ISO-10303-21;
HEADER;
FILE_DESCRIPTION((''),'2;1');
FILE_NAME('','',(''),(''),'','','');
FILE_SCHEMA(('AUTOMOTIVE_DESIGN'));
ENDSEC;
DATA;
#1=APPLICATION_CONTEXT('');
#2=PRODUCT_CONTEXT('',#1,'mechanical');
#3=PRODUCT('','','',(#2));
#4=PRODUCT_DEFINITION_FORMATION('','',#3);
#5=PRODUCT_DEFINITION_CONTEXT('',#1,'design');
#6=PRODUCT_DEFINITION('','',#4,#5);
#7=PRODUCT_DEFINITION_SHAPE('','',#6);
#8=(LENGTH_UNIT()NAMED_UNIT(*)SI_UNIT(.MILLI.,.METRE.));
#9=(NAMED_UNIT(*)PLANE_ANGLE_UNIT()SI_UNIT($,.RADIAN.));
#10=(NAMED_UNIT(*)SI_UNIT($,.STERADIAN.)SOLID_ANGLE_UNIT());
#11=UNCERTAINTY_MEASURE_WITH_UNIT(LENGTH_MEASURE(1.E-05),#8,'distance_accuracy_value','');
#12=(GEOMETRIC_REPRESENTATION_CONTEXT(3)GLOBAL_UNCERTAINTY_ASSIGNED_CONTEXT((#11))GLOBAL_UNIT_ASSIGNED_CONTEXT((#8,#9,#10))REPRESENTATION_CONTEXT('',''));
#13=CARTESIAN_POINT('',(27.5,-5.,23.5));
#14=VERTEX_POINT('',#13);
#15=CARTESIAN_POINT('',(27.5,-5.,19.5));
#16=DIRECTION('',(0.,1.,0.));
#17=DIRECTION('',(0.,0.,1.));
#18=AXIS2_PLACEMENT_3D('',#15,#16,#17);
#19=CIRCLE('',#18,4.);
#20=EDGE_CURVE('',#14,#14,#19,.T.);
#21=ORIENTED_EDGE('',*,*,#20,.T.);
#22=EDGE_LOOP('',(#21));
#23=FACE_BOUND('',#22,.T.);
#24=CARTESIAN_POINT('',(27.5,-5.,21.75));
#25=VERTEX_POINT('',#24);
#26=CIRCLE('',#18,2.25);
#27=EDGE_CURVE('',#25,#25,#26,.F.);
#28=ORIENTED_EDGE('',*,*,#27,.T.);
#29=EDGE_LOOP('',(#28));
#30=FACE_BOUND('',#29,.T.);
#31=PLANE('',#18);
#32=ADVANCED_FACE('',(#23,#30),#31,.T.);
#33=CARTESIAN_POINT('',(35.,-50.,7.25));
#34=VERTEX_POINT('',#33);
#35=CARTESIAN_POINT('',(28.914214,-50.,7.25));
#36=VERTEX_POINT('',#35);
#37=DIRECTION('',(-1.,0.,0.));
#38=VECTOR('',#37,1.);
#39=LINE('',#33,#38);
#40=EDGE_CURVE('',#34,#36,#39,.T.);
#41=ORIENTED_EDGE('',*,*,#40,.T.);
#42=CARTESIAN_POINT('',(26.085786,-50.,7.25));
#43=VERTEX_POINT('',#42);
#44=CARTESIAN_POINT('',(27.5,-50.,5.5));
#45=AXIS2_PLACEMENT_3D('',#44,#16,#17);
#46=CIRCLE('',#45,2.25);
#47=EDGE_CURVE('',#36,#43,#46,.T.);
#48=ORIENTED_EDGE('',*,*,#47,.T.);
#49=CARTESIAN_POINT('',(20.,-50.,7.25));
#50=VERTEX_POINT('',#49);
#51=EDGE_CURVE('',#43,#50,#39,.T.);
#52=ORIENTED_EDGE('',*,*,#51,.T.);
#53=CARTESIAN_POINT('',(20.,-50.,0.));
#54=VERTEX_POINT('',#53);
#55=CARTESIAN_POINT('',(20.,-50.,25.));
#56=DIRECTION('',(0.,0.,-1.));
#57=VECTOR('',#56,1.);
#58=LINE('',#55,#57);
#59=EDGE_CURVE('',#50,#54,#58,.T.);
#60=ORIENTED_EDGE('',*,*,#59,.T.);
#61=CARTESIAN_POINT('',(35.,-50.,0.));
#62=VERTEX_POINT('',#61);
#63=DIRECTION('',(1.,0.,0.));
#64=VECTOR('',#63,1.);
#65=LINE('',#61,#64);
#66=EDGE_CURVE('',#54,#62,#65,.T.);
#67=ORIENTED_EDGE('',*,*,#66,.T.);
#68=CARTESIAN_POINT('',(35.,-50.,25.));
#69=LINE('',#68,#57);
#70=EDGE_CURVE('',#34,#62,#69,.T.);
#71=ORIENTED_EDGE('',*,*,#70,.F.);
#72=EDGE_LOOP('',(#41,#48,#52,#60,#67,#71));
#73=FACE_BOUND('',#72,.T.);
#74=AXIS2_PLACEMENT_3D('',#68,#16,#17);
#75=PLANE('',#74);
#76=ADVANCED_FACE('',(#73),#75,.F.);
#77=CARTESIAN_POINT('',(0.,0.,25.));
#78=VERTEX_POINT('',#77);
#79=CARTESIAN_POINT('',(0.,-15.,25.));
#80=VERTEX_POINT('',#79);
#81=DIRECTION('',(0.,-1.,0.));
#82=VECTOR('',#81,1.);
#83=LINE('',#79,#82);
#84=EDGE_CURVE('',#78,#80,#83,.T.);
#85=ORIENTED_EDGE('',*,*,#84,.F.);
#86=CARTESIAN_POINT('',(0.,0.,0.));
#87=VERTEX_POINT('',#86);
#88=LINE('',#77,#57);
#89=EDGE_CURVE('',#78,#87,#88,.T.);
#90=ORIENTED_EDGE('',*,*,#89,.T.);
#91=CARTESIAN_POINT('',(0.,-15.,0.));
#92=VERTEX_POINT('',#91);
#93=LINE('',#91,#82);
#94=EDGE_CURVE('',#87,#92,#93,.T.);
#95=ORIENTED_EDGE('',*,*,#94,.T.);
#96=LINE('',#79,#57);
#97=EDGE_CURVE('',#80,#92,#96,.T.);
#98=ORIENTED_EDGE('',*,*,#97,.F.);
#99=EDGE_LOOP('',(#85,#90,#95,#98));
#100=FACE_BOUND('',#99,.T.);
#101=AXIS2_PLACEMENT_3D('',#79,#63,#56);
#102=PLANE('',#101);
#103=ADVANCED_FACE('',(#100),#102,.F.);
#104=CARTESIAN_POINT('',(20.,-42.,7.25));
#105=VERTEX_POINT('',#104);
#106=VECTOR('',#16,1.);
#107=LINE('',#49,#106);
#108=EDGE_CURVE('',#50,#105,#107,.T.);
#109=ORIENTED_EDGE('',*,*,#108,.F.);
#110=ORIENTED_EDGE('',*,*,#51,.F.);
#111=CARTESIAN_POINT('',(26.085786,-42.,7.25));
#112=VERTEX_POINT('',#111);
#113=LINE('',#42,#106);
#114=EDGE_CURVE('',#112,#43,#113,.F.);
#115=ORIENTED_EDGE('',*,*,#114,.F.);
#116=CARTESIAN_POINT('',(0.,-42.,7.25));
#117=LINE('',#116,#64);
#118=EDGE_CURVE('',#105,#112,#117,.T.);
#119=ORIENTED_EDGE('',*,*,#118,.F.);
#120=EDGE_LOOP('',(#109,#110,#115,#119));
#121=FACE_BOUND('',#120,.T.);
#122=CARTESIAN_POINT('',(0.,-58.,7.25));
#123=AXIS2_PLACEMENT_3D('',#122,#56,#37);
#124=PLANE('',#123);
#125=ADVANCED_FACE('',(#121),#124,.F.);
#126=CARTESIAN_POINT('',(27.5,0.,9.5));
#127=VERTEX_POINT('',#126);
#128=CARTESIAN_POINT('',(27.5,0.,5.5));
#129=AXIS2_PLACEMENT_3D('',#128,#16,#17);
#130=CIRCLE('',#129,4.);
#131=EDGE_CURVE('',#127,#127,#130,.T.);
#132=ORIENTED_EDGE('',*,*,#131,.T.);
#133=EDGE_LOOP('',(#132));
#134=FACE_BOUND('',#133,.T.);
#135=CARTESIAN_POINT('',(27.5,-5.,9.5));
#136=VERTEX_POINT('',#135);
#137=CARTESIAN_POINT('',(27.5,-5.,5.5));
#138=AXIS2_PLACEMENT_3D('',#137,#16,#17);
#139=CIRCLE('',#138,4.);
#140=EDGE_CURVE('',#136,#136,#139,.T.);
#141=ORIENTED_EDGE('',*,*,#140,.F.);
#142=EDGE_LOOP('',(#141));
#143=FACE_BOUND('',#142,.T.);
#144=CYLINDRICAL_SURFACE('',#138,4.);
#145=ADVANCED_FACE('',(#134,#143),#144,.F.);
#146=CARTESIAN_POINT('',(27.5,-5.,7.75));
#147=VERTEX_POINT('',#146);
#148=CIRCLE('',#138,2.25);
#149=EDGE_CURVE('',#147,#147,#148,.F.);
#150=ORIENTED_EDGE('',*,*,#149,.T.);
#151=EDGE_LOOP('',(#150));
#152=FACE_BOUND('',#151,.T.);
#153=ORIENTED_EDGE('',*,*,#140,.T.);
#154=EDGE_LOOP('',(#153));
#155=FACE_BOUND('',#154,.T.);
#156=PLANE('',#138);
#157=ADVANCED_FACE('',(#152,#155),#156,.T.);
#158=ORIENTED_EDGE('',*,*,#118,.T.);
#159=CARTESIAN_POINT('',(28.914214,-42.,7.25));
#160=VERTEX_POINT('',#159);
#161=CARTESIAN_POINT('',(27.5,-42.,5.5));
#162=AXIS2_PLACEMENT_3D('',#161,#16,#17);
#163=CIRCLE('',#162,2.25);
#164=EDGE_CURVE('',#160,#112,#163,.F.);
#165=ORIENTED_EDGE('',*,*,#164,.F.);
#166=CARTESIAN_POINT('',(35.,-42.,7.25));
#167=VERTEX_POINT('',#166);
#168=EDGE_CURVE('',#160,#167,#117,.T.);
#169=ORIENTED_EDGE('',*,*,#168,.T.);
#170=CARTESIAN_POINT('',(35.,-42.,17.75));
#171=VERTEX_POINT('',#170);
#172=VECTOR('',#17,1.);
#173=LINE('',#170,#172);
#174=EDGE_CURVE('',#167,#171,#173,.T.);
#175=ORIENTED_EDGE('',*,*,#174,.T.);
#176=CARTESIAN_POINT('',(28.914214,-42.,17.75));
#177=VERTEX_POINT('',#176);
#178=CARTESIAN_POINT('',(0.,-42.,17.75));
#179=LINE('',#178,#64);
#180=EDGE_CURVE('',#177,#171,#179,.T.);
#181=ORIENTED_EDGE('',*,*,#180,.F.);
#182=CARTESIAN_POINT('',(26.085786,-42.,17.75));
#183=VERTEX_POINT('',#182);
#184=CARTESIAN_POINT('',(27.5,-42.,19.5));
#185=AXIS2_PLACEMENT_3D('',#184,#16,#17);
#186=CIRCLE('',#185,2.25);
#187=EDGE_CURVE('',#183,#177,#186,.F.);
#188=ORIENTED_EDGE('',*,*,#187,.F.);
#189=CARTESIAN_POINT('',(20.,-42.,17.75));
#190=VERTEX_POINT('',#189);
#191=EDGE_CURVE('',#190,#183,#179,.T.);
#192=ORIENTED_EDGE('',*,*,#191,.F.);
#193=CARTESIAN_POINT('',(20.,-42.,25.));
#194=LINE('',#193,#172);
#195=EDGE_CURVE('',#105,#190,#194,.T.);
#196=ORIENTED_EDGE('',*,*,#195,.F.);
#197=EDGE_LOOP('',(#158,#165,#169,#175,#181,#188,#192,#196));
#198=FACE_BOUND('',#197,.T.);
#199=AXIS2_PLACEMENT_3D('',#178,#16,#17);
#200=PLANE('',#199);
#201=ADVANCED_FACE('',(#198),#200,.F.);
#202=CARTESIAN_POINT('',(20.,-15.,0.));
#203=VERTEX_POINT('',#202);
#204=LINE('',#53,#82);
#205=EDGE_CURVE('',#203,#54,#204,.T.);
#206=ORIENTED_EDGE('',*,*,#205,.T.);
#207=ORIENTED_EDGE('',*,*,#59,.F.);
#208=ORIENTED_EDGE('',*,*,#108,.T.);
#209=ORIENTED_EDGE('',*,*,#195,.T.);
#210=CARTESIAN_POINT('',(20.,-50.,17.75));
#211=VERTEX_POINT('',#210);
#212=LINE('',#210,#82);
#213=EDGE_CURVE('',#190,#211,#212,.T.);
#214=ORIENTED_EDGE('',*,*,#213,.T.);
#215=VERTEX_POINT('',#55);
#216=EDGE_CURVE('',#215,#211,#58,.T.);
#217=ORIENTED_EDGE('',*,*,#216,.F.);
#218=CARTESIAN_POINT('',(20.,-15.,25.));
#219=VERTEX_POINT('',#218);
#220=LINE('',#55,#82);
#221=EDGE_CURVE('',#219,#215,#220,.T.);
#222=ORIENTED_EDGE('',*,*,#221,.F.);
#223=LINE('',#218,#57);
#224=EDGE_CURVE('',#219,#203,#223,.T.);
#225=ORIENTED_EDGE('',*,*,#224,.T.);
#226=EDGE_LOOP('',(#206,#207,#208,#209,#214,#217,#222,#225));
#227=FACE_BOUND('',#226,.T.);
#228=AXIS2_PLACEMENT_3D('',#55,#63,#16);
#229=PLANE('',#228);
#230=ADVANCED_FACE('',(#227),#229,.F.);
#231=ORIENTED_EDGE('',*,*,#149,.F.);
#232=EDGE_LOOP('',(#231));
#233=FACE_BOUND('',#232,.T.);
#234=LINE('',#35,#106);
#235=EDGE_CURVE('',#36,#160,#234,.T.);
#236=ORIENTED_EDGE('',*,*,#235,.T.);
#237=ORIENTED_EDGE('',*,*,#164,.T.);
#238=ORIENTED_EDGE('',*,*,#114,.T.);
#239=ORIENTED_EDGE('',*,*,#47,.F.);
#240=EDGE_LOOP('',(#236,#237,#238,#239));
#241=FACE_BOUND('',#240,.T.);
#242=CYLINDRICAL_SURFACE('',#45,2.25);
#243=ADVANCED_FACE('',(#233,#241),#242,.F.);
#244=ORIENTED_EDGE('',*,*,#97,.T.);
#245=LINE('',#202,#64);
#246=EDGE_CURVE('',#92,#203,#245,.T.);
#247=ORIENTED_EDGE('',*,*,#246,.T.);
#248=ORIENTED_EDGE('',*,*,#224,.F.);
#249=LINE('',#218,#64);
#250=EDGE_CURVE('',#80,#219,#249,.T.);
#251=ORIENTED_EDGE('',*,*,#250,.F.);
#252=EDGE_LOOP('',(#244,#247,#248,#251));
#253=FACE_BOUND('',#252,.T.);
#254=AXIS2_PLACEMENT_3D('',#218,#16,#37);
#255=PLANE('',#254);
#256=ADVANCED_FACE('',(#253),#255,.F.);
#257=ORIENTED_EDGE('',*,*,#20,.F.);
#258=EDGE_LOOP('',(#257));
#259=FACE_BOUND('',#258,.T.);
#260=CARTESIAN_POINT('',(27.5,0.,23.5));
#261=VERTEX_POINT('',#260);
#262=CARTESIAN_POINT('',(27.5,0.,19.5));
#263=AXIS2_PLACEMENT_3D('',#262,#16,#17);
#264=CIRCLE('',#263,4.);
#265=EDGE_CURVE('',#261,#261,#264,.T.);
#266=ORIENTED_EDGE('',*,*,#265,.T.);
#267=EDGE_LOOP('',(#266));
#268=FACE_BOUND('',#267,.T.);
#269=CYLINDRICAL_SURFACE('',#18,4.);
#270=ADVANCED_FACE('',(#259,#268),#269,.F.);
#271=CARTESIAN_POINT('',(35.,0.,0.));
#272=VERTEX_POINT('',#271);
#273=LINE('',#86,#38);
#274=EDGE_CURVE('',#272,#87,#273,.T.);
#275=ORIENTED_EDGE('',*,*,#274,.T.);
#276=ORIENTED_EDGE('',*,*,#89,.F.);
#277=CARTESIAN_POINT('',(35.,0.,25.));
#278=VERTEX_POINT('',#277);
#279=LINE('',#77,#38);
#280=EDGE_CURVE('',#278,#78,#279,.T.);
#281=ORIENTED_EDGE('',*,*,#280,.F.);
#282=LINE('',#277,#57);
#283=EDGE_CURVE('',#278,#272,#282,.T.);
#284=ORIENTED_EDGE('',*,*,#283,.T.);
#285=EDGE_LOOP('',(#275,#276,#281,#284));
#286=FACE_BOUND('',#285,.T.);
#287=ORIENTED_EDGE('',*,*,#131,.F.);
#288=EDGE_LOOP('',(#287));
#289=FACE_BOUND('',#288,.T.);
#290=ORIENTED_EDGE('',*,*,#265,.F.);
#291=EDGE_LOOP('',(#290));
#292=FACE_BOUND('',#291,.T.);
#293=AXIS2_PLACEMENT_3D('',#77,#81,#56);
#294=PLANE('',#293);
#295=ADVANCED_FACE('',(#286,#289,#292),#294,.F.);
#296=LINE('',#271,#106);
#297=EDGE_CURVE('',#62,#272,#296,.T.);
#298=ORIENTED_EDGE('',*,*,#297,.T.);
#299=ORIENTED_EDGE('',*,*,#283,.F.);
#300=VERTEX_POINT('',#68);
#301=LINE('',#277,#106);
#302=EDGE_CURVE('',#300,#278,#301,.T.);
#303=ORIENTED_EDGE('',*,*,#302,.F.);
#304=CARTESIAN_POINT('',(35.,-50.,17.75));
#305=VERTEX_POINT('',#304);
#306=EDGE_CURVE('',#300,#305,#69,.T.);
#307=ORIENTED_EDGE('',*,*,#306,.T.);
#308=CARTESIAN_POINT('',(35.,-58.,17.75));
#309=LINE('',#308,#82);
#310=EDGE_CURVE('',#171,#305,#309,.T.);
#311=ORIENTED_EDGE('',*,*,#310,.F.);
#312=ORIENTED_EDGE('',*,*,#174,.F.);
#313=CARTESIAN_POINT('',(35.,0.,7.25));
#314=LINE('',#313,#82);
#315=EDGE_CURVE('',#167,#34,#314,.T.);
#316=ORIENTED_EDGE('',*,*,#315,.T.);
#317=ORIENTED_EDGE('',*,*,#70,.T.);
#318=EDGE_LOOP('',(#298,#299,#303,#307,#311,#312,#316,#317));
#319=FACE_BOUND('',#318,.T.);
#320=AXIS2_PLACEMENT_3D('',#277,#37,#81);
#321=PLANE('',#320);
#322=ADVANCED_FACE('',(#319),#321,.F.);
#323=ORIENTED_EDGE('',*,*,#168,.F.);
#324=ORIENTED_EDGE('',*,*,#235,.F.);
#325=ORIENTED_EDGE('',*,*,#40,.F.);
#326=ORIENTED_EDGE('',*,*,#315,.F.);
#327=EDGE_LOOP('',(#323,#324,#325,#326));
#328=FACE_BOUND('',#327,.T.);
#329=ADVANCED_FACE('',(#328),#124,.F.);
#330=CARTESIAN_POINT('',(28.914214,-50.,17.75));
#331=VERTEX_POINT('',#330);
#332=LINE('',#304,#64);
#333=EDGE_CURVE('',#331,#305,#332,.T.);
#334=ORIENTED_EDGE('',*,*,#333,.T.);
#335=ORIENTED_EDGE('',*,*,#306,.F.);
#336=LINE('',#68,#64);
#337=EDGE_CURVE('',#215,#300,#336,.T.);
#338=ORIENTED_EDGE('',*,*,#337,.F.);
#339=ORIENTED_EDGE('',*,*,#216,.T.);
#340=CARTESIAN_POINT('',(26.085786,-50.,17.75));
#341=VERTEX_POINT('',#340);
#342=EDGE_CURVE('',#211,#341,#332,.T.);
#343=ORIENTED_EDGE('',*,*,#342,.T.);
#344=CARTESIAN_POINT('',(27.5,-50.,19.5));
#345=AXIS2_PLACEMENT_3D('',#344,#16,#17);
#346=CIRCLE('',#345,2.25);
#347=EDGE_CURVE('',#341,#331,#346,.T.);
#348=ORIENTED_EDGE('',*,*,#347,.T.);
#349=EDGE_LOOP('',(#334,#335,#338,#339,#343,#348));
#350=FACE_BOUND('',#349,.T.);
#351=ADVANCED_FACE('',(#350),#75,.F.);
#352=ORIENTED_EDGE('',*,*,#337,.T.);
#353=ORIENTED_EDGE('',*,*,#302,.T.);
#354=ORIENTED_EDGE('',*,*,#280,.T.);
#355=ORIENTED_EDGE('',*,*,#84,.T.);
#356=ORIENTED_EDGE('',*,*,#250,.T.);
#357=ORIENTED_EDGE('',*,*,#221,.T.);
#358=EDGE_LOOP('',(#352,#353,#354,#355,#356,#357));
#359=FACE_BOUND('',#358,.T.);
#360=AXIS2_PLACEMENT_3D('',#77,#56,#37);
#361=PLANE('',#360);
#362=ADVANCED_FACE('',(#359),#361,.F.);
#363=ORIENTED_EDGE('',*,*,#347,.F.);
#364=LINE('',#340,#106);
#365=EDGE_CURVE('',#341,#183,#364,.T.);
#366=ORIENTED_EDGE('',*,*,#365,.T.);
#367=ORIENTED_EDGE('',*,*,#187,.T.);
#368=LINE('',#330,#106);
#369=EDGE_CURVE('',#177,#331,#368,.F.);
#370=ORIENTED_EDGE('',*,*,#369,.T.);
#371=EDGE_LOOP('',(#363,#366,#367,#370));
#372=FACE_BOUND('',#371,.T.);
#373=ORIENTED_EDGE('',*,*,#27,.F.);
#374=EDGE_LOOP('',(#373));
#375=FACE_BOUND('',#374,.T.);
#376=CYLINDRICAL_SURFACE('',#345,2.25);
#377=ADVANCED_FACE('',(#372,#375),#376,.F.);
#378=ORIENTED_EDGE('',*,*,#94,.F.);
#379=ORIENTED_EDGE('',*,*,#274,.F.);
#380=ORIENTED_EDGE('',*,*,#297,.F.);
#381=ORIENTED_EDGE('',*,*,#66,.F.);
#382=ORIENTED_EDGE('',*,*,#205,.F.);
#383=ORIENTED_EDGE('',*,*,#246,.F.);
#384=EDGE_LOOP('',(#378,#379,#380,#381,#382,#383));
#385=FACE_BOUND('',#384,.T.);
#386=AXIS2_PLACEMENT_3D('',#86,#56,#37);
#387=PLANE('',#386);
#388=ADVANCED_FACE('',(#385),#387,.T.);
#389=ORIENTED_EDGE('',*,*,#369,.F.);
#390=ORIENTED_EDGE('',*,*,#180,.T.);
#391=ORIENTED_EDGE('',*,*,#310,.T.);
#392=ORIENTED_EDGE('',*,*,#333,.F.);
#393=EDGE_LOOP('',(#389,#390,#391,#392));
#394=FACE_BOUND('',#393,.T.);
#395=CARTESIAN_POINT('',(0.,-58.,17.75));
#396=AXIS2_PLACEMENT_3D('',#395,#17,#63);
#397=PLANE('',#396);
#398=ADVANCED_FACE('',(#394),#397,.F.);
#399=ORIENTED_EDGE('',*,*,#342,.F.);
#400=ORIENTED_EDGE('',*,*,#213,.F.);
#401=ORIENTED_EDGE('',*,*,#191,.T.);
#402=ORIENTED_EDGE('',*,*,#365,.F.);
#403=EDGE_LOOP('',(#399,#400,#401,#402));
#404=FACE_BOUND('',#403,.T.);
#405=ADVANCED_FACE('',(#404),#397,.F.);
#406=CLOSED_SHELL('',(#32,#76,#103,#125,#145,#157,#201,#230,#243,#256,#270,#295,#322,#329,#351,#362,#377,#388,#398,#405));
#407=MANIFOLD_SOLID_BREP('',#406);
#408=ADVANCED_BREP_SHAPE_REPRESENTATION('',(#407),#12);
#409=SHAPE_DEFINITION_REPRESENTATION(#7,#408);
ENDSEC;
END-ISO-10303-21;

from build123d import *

# Parameters (mm, degrees)
EXTRUDE_1_DEPTH     = 25
SKETCH_2_R          = 2.25
CUT_EXTRUDE_1_DEPTH = 66.954529791
SKETCH_3_R          = 4
CUT_EXTRUDE_2_DEPTH = 5
SKETCH_4_W          = 10.5
SKETCH_4_H          = 16
CUT_EXTRUDE_5_DEPTH = 66.954529791


with BuildPart() as part:
    # 草图1 → 凸台-拉伸1 (new body)
    with BuildSketch(Plane.XY):
        Polygon((0, 0), (35, 0), (35, -50), (20, -50), (20, -15), (0, -15), align=None)
    extrude(amount=EXTRUDE_1_DEPTH)

    # 草图2 → 切除-拉伸1 (cut, through all)
    with BuildSketch(Plane(origin=(0, 0, 0), x_dir=(1, 0, 0), z_dir=(0, 1, 0))):
        with Locations(Location((27.5, -5.5, 0), (0, 0, 270))):
            Circle(SKETCH_2_R)
        with Locations(Location((27.5, -19.5, 0), (0, 0, 270))):
            Circle(SKETCH_2_R)
    extrude(amount=-CUT_EXTRUDE_1_DEPTH, mode=Mode.SUBTRACT)

    # 草图3 → 切除-拉伸2 (cut)
    with BuildSketch(Plane(origin=(0, 0, 0), x_dir=(1, 0, 0), z_dir=(0, 1, 0))):
        with Locations(Location((27.5, -5.5, 0), (0, 0, 270))):
            Circle(SKETCH_3_R)
        with Locations(Location((27.5, -19.5, 0), (0, 0, 270))):
            Circle(SKETCH_3_R)
    extrude(amount=-CUT_EXTRUDE_2_DEPTH, mode=Mode.SUBTRACT)

    # 草图4 → 切除-拉伸5 (cut, through all)
    with BuildSketch(Plane(origin=(35, 0, 0), x_dir=(0, 0, -1), z_dir=(1, 0, 0))):
        with Locations((-12.5, -50)):
            Rectangle(SKETCH_4_W, SKETCH_4_H)
    extrude(amount=-CUT_EXTRUDE_5_DEPTH, mode=Mode.SUBTRACT)


solid = part.part
